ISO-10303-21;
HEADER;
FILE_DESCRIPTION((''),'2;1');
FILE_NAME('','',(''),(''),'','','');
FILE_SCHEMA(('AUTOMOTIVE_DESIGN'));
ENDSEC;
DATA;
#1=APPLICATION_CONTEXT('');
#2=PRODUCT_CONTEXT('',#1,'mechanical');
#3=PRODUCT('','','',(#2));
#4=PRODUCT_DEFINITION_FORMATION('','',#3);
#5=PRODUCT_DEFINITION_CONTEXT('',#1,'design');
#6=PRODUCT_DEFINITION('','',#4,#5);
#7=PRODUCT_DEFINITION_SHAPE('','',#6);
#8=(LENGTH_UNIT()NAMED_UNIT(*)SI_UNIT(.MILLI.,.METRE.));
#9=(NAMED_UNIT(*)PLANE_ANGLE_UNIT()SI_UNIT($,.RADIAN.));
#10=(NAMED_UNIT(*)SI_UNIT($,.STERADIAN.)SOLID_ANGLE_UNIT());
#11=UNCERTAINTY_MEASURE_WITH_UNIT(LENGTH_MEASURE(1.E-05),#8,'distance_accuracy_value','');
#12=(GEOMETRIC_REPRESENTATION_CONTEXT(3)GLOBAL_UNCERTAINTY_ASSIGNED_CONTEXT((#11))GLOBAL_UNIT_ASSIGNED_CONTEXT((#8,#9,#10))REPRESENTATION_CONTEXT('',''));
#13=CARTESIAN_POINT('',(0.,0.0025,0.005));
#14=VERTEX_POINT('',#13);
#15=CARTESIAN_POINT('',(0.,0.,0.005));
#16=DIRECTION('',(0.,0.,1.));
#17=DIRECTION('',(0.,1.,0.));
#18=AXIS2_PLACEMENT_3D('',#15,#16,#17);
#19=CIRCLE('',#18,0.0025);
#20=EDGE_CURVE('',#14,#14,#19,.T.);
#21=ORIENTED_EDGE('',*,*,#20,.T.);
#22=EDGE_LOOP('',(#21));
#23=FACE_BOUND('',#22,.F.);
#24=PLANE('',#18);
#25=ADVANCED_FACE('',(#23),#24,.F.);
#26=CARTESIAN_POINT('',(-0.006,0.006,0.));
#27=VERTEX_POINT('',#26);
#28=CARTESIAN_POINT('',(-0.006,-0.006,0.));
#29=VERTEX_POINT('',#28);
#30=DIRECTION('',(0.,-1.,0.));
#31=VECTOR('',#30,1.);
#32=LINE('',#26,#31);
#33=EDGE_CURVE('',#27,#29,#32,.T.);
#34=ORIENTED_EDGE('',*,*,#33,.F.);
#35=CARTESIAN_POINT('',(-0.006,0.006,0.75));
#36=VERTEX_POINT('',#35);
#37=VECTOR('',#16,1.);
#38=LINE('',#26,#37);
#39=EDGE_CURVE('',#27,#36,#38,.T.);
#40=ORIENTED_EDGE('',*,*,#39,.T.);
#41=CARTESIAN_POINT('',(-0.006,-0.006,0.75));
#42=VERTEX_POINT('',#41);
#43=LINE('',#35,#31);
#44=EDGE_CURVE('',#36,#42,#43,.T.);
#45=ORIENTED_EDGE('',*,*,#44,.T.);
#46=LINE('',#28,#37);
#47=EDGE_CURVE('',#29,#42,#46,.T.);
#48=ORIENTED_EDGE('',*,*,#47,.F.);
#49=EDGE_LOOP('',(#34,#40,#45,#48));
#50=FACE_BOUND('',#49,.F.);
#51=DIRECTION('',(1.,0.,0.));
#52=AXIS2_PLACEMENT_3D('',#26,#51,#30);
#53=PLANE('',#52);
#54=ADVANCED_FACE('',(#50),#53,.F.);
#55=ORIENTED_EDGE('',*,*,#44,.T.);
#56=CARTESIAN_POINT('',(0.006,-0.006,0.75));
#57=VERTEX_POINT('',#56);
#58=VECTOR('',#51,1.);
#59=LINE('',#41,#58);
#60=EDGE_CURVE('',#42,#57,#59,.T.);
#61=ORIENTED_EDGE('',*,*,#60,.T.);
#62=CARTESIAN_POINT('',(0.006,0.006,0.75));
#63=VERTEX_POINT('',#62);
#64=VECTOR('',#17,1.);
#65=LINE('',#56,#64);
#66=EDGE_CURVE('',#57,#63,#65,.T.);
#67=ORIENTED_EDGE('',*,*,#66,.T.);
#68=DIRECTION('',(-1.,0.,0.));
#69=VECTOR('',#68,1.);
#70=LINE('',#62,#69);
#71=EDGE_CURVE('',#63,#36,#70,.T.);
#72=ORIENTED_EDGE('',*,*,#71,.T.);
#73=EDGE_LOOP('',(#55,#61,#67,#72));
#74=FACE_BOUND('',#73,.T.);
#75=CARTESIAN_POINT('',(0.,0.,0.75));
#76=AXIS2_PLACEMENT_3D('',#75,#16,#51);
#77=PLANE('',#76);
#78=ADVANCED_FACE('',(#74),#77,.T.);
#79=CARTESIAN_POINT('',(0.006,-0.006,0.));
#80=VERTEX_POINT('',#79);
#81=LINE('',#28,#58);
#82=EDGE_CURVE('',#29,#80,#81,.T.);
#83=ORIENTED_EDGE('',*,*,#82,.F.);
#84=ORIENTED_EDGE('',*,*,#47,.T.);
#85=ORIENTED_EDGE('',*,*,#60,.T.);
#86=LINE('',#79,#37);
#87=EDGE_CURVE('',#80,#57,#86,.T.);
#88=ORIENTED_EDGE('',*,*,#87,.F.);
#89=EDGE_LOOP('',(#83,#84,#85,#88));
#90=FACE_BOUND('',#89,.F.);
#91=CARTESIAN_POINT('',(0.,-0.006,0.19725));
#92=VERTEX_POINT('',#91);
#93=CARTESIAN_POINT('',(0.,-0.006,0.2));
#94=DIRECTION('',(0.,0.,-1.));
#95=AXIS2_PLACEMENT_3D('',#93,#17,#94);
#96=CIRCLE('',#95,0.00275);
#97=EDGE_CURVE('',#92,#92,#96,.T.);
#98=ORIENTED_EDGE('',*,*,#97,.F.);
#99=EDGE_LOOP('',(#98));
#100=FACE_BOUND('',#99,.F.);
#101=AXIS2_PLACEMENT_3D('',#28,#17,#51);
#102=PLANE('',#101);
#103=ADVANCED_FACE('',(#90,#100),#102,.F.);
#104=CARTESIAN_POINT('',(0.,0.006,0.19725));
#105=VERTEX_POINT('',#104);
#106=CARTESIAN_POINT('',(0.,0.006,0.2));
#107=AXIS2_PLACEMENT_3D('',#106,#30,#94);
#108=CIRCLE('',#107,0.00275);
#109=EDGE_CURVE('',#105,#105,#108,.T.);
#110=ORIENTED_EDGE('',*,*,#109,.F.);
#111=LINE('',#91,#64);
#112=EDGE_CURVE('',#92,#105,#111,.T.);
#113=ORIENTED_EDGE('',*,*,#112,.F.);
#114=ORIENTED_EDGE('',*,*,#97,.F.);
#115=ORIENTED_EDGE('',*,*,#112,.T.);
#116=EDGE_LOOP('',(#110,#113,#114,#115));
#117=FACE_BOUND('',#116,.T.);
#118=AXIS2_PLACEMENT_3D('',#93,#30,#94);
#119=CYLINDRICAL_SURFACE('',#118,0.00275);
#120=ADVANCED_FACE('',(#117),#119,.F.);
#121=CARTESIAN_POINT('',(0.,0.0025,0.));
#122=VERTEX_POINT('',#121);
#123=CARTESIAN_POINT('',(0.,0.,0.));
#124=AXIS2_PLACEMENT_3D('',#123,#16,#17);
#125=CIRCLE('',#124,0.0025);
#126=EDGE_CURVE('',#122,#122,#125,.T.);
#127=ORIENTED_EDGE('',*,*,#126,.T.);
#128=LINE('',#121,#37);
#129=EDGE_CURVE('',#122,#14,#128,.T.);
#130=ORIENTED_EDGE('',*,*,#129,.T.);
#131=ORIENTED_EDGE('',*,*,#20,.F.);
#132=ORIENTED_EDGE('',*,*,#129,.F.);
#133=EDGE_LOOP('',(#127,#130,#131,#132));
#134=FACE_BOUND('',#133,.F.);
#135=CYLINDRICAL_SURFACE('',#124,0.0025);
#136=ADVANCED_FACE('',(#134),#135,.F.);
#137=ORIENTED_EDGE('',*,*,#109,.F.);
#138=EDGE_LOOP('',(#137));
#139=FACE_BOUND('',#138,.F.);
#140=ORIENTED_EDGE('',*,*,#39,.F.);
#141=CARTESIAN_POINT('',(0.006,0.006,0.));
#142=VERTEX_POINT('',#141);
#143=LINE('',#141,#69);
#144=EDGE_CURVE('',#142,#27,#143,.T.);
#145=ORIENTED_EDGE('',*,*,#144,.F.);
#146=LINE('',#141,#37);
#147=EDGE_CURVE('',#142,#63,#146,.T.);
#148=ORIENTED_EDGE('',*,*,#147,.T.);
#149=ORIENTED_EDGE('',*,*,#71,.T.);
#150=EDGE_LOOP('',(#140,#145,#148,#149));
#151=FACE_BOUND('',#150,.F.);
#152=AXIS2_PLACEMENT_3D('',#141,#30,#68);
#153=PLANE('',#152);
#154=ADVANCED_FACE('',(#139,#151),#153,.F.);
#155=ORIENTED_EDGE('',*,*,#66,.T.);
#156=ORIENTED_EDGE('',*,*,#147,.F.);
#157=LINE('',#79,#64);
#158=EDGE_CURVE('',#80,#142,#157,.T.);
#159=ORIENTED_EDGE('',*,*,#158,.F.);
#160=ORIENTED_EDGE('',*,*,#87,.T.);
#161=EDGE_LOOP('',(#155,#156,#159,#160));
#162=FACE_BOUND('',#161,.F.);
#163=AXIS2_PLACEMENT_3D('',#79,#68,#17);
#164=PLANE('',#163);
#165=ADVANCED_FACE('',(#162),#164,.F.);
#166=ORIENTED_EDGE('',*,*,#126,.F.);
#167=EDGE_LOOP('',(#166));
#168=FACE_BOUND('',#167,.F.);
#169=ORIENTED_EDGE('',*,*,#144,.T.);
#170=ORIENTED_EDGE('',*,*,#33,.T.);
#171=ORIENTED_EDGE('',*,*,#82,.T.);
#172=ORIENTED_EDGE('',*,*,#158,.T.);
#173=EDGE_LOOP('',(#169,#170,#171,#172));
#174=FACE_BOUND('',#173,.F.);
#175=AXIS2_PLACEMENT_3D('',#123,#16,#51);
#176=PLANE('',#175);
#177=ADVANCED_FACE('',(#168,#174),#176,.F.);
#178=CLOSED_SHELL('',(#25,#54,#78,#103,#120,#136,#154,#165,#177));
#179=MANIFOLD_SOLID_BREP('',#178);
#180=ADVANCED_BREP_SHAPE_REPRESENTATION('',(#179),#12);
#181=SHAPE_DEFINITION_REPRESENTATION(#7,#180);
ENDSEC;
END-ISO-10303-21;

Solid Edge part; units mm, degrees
sketch "Sketch1" plane through (0, 0, 0) normal (0, 0, 1) x (1, 0, 0)
  line L0 (-0.006, -0.006) -> (0.006, -0.006)
  line L1 (0.006, -0.006) -> (0.006, 0.006)
  line L2 (0.006, 0.006) -> (-0.006, 0.006)
  line L3 (-0.006, 0.006) -> (-0.006, -0.006)
  dimension "D1" = 0.012
extrude "Protrusion1" add sketch "Sketch1" along normal blind 0.75
hole "Bohrung_1" at (0, -0.006, 0.2) direction (0, 1, 0) diameter 0.0055 end through all
hole "Bohrung_2" at (0, 0, 0) direction (0, 0, 1) diameter 0.005 depth 0.005
